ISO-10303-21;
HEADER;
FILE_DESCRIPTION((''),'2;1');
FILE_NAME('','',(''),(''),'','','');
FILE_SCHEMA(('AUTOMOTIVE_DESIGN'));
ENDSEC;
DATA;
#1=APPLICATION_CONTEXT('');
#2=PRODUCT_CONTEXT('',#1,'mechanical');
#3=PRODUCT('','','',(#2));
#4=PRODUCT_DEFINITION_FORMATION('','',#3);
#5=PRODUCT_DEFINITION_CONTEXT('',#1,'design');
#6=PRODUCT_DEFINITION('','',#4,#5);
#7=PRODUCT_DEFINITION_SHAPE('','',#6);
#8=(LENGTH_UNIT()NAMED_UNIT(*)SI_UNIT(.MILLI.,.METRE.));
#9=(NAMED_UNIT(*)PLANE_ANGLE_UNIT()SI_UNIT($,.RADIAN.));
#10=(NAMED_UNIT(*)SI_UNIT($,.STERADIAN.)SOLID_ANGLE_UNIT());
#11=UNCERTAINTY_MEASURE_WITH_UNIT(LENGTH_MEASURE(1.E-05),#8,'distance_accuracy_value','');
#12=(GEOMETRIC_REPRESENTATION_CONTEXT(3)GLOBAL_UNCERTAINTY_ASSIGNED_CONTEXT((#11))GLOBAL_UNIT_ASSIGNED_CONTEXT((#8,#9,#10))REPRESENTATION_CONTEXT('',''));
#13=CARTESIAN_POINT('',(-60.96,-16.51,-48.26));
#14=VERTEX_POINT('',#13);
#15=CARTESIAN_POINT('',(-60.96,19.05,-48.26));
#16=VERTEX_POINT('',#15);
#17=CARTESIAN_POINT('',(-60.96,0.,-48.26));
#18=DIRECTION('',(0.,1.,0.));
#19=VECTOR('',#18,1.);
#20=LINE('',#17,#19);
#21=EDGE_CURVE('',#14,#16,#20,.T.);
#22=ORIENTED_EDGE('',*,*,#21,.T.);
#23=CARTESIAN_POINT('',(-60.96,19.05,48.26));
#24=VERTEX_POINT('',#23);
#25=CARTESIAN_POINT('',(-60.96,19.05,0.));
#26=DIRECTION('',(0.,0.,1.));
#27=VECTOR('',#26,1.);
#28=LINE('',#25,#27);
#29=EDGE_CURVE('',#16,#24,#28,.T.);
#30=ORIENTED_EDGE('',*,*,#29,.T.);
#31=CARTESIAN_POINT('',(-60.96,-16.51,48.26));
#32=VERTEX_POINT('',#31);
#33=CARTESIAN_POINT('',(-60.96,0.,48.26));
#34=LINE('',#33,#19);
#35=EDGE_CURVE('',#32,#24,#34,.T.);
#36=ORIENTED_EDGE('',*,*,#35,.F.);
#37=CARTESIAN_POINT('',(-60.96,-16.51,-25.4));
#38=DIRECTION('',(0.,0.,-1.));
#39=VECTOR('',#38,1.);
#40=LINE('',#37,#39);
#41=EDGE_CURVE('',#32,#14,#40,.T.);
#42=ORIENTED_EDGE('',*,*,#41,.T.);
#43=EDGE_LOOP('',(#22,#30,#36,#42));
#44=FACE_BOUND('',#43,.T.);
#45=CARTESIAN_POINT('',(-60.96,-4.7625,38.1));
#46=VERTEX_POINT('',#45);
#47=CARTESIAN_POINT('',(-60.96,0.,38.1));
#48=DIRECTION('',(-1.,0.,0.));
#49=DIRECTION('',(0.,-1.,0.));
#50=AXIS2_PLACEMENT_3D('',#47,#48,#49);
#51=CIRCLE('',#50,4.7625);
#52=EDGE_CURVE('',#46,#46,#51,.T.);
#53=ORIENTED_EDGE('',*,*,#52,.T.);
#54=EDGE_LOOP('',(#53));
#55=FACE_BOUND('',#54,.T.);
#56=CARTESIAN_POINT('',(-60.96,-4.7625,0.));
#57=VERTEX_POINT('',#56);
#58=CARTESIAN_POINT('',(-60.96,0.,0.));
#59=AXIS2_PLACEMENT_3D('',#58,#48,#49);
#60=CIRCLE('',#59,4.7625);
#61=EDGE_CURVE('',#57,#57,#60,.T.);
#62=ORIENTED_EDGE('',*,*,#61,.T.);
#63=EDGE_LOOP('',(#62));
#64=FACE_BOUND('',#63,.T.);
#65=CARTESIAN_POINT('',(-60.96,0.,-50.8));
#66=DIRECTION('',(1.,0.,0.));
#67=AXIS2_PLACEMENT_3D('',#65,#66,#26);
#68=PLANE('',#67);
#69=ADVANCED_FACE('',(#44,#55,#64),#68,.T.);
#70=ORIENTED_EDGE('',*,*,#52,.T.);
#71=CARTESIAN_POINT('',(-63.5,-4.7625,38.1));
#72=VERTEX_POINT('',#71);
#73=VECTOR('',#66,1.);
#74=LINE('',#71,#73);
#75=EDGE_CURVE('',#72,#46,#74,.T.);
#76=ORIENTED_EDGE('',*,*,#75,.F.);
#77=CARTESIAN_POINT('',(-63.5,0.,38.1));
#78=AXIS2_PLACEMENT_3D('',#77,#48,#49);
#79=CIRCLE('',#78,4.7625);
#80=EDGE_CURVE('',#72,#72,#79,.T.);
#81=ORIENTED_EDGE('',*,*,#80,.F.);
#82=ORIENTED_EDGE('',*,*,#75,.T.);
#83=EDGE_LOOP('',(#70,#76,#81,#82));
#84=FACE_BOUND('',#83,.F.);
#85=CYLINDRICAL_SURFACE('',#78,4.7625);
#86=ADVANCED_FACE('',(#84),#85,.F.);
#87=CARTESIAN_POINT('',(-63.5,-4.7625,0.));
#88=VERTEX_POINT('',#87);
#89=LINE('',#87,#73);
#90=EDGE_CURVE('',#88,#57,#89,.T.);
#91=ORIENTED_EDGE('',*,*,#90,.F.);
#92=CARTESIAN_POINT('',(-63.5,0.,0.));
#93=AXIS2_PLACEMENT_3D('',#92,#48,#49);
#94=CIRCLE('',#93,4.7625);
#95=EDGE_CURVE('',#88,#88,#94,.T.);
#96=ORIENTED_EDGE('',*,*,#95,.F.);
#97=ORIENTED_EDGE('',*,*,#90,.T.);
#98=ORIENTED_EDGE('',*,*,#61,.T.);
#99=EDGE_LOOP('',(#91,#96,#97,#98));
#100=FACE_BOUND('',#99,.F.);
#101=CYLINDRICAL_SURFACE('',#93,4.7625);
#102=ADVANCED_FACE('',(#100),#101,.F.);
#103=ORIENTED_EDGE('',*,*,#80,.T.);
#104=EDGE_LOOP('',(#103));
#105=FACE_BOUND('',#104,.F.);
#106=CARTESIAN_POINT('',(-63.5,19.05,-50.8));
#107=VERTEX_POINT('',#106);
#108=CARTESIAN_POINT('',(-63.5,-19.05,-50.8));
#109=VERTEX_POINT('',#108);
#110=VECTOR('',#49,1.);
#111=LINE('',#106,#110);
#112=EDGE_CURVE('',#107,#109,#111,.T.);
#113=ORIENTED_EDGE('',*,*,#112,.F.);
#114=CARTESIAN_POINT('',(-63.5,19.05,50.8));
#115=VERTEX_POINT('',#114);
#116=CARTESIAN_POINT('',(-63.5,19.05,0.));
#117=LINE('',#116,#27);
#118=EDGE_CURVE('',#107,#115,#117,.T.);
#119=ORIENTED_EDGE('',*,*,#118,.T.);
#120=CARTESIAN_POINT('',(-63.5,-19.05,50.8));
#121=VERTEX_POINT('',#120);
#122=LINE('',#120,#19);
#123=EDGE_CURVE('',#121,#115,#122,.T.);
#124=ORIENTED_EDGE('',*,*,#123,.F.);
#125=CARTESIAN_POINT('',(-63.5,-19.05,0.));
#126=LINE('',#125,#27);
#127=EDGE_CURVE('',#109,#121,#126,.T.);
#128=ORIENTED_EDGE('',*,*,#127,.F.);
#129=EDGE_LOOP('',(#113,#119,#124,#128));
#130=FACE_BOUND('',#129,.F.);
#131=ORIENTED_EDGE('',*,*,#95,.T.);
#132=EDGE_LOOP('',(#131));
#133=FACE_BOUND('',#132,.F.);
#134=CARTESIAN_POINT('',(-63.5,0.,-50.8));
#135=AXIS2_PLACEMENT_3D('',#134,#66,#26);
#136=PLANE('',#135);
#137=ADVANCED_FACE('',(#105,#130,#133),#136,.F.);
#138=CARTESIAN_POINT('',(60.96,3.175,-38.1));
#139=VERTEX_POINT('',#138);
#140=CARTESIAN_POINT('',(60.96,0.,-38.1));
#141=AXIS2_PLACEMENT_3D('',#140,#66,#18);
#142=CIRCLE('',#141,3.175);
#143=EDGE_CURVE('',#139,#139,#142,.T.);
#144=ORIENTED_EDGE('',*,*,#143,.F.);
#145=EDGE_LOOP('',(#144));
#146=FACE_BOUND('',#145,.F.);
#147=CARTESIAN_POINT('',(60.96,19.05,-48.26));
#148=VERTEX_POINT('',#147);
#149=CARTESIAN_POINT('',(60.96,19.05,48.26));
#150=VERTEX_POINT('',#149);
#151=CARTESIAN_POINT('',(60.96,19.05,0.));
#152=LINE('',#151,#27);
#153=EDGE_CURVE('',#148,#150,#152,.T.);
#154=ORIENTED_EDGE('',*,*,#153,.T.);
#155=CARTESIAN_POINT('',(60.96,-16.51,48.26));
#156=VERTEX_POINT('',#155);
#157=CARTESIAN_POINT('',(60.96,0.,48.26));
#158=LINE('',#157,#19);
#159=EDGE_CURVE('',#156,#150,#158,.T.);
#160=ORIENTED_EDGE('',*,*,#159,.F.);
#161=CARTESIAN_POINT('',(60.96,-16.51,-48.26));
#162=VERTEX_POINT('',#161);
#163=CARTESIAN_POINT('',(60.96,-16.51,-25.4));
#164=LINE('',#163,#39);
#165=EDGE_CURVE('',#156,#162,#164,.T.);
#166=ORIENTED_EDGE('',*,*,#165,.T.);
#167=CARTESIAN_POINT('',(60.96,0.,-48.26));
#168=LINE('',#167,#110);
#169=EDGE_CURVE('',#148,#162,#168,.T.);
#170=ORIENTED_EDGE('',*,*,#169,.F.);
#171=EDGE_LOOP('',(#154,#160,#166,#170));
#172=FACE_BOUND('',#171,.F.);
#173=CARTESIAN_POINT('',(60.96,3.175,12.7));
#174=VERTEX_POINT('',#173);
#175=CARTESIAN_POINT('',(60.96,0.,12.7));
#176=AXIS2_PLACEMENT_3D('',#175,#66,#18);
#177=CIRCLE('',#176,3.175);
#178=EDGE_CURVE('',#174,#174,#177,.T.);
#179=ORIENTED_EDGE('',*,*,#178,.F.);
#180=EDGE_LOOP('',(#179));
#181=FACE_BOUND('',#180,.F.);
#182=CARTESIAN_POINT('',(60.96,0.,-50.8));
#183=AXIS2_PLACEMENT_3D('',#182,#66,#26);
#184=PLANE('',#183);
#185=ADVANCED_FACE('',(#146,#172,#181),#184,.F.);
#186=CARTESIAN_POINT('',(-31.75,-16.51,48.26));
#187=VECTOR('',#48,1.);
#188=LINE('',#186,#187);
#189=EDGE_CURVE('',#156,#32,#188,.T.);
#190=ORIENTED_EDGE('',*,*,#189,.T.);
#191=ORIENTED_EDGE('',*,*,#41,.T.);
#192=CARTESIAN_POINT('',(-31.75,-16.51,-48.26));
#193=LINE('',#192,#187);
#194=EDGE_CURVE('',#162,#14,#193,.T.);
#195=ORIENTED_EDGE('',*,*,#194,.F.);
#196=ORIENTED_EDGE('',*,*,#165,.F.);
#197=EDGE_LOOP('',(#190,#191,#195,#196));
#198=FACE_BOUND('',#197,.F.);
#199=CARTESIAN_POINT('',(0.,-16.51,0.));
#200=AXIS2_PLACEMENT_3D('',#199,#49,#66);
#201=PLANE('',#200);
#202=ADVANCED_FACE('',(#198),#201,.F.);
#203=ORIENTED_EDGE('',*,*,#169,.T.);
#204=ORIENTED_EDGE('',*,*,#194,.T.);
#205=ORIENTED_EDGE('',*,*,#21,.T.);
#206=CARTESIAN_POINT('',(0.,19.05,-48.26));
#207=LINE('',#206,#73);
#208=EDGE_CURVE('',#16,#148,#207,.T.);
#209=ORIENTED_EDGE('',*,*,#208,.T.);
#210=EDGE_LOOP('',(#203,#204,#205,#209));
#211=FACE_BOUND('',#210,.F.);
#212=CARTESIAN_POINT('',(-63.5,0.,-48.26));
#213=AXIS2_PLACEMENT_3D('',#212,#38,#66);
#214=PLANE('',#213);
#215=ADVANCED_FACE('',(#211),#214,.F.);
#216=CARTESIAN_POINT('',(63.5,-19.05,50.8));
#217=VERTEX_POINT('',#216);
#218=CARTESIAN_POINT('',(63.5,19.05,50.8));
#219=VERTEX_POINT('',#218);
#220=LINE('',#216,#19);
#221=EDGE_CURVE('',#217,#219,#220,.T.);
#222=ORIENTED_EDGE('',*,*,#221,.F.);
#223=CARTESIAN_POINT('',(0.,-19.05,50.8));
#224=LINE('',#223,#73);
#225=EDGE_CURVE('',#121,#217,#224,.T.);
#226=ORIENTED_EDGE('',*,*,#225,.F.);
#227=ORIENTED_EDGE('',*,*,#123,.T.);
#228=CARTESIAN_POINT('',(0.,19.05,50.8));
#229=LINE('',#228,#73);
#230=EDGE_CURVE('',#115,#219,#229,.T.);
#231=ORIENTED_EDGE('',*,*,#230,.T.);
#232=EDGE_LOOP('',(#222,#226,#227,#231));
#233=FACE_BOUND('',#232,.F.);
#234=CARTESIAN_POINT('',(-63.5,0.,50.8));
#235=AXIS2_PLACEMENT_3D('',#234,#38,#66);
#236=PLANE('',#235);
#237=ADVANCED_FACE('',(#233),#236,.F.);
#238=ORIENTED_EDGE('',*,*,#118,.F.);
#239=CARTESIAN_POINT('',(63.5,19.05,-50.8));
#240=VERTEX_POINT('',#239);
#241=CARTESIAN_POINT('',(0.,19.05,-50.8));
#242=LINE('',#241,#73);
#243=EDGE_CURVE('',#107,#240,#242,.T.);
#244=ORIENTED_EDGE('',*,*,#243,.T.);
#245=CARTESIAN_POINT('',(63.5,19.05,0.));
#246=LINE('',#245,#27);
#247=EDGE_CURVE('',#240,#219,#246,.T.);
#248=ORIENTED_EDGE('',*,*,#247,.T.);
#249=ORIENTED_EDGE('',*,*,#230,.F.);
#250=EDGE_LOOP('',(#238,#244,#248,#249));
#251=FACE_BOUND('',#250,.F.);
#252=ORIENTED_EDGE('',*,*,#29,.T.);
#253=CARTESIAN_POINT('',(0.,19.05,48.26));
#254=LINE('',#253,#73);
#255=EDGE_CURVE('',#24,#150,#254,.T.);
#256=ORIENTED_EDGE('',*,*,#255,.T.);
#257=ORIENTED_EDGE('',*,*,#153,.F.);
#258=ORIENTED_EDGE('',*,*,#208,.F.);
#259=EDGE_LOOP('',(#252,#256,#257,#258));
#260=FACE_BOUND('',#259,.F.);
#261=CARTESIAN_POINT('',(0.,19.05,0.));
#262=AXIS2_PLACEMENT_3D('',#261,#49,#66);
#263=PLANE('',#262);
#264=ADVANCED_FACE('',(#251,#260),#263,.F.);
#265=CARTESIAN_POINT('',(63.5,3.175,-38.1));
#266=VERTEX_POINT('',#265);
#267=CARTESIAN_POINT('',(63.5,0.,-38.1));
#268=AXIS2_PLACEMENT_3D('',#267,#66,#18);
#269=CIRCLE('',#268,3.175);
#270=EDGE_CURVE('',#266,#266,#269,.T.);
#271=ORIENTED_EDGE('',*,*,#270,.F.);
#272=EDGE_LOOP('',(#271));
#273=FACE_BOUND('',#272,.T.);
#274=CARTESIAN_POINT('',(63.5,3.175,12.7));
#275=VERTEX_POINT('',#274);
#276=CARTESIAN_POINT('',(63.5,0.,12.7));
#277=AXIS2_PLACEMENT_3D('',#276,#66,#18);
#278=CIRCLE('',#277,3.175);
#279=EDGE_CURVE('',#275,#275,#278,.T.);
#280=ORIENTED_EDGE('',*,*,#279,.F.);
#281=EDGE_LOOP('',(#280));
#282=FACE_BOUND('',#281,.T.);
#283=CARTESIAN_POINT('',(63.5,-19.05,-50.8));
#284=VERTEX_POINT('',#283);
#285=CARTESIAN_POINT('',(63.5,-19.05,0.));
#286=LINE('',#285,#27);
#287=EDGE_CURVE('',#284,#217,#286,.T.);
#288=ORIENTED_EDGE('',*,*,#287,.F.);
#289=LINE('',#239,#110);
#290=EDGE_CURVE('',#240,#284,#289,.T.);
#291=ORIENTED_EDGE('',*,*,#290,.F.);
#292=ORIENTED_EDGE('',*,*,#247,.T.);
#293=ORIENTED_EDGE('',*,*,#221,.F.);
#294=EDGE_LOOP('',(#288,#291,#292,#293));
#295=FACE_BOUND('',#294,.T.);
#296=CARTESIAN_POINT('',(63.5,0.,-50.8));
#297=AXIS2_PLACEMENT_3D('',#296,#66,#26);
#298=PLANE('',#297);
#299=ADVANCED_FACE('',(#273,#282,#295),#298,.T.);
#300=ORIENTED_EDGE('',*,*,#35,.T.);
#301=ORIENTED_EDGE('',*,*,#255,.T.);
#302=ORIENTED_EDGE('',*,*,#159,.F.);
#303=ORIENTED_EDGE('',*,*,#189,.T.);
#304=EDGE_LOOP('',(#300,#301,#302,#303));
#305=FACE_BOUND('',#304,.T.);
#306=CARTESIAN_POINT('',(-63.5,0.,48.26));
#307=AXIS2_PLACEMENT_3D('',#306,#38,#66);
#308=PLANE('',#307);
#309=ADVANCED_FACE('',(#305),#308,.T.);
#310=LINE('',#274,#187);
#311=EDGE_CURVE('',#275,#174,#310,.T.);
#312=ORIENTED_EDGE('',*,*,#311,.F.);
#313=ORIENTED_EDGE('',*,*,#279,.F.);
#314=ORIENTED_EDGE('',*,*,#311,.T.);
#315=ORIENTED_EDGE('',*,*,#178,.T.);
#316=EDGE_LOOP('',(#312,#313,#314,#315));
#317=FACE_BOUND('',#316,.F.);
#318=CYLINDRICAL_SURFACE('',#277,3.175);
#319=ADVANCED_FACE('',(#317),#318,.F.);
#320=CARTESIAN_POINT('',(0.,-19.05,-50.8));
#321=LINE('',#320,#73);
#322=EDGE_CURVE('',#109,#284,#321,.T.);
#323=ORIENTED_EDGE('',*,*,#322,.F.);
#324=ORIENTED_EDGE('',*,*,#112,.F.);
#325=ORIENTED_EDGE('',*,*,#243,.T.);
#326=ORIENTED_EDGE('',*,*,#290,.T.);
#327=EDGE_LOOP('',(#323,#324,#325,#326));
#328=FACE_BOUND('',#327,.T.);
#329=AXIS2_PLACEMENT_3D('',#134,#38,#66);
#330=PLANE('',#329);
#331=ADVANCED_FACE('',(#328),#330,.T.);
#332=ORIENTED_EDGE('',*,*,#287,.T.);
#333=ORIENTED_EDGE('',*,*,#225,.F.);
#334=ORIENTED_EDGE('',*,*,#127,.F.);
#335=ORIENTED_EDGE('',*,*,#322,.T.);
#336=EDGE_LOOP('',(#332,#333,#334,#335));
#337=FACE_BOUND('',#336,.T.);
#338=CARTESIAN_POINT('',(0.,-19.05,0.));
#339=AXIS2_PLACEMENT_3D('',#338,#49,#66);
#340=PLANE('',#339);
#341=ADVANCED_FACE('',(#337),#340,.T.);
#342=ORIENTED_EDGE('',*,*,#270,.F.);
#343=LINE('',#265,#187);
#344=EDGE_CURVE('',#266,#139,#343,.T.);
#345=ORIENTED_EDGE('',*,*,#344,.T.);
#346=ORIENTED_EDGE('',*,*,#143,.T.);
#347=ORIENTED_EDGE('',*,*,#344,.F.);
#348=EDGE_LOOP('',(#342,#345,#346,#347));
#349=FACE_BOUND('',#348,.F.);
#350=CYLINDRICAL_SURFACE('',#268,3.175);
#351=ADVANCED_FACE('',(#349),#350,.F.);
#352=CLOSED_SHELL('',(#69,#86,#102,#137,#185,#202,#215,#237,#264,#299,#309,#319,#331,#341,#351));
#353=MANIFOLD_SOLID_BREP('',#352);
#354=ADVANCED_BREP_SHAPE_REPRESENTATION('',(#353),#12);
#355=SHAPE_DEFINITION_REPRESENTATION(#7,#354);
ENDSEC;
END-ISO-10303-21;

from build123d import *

# Parameters (mm, degrees)
F0_W     = 127
F0_H     = 101.6
F1_DEPTH = 19.05
F2_T     = -2.54
F3_R     = 3.175
F4_DEPTH = 2.54
F5_R     = 4.7625
F6_DEPTH = 2.54


with BuildPart() as f1:
    # F0 (on Front) → F1 (new body, symmetric)
    with BuildSketch(Plane.XZ):
        Rectangle(F0_W, F0_H)
    extrude(amount=F1_DEPTH, both=True)

    # F2
    f2_openings = [f1.faces().sort_by_distance(p)[0] for p in [
        (0, 19.05, 0),
    ]]
    offset(amount=F2_T, openings=f2_openings)

    # F3 (on face) → F4 (cut, through all)
    with BuildSketch(Plane.YZ.offset(63.5)):
        with Locations((0, -38.1)):
            Circle(F3_R)
        with Locations((0, 12.7)):
            Circle(F3_R)
    extrude(amount=-F4_DEPTH, mode=Mode.SUBTRACT)

    # F5 (on face) → F6 (cut, through all)
    with BuildSketch(Plane(origin=(-63.5, 0, 0), x_dir=(0, -1, 0), z_dir=(-1, 0, 0))):
        with Locations((0, 38.1)):
            Circle(F5_R)
        Circle(F5_R)
    extrude(amount=-F6_DEPTH, mode=Mode.SUBTRACT)


solid = f1.part
